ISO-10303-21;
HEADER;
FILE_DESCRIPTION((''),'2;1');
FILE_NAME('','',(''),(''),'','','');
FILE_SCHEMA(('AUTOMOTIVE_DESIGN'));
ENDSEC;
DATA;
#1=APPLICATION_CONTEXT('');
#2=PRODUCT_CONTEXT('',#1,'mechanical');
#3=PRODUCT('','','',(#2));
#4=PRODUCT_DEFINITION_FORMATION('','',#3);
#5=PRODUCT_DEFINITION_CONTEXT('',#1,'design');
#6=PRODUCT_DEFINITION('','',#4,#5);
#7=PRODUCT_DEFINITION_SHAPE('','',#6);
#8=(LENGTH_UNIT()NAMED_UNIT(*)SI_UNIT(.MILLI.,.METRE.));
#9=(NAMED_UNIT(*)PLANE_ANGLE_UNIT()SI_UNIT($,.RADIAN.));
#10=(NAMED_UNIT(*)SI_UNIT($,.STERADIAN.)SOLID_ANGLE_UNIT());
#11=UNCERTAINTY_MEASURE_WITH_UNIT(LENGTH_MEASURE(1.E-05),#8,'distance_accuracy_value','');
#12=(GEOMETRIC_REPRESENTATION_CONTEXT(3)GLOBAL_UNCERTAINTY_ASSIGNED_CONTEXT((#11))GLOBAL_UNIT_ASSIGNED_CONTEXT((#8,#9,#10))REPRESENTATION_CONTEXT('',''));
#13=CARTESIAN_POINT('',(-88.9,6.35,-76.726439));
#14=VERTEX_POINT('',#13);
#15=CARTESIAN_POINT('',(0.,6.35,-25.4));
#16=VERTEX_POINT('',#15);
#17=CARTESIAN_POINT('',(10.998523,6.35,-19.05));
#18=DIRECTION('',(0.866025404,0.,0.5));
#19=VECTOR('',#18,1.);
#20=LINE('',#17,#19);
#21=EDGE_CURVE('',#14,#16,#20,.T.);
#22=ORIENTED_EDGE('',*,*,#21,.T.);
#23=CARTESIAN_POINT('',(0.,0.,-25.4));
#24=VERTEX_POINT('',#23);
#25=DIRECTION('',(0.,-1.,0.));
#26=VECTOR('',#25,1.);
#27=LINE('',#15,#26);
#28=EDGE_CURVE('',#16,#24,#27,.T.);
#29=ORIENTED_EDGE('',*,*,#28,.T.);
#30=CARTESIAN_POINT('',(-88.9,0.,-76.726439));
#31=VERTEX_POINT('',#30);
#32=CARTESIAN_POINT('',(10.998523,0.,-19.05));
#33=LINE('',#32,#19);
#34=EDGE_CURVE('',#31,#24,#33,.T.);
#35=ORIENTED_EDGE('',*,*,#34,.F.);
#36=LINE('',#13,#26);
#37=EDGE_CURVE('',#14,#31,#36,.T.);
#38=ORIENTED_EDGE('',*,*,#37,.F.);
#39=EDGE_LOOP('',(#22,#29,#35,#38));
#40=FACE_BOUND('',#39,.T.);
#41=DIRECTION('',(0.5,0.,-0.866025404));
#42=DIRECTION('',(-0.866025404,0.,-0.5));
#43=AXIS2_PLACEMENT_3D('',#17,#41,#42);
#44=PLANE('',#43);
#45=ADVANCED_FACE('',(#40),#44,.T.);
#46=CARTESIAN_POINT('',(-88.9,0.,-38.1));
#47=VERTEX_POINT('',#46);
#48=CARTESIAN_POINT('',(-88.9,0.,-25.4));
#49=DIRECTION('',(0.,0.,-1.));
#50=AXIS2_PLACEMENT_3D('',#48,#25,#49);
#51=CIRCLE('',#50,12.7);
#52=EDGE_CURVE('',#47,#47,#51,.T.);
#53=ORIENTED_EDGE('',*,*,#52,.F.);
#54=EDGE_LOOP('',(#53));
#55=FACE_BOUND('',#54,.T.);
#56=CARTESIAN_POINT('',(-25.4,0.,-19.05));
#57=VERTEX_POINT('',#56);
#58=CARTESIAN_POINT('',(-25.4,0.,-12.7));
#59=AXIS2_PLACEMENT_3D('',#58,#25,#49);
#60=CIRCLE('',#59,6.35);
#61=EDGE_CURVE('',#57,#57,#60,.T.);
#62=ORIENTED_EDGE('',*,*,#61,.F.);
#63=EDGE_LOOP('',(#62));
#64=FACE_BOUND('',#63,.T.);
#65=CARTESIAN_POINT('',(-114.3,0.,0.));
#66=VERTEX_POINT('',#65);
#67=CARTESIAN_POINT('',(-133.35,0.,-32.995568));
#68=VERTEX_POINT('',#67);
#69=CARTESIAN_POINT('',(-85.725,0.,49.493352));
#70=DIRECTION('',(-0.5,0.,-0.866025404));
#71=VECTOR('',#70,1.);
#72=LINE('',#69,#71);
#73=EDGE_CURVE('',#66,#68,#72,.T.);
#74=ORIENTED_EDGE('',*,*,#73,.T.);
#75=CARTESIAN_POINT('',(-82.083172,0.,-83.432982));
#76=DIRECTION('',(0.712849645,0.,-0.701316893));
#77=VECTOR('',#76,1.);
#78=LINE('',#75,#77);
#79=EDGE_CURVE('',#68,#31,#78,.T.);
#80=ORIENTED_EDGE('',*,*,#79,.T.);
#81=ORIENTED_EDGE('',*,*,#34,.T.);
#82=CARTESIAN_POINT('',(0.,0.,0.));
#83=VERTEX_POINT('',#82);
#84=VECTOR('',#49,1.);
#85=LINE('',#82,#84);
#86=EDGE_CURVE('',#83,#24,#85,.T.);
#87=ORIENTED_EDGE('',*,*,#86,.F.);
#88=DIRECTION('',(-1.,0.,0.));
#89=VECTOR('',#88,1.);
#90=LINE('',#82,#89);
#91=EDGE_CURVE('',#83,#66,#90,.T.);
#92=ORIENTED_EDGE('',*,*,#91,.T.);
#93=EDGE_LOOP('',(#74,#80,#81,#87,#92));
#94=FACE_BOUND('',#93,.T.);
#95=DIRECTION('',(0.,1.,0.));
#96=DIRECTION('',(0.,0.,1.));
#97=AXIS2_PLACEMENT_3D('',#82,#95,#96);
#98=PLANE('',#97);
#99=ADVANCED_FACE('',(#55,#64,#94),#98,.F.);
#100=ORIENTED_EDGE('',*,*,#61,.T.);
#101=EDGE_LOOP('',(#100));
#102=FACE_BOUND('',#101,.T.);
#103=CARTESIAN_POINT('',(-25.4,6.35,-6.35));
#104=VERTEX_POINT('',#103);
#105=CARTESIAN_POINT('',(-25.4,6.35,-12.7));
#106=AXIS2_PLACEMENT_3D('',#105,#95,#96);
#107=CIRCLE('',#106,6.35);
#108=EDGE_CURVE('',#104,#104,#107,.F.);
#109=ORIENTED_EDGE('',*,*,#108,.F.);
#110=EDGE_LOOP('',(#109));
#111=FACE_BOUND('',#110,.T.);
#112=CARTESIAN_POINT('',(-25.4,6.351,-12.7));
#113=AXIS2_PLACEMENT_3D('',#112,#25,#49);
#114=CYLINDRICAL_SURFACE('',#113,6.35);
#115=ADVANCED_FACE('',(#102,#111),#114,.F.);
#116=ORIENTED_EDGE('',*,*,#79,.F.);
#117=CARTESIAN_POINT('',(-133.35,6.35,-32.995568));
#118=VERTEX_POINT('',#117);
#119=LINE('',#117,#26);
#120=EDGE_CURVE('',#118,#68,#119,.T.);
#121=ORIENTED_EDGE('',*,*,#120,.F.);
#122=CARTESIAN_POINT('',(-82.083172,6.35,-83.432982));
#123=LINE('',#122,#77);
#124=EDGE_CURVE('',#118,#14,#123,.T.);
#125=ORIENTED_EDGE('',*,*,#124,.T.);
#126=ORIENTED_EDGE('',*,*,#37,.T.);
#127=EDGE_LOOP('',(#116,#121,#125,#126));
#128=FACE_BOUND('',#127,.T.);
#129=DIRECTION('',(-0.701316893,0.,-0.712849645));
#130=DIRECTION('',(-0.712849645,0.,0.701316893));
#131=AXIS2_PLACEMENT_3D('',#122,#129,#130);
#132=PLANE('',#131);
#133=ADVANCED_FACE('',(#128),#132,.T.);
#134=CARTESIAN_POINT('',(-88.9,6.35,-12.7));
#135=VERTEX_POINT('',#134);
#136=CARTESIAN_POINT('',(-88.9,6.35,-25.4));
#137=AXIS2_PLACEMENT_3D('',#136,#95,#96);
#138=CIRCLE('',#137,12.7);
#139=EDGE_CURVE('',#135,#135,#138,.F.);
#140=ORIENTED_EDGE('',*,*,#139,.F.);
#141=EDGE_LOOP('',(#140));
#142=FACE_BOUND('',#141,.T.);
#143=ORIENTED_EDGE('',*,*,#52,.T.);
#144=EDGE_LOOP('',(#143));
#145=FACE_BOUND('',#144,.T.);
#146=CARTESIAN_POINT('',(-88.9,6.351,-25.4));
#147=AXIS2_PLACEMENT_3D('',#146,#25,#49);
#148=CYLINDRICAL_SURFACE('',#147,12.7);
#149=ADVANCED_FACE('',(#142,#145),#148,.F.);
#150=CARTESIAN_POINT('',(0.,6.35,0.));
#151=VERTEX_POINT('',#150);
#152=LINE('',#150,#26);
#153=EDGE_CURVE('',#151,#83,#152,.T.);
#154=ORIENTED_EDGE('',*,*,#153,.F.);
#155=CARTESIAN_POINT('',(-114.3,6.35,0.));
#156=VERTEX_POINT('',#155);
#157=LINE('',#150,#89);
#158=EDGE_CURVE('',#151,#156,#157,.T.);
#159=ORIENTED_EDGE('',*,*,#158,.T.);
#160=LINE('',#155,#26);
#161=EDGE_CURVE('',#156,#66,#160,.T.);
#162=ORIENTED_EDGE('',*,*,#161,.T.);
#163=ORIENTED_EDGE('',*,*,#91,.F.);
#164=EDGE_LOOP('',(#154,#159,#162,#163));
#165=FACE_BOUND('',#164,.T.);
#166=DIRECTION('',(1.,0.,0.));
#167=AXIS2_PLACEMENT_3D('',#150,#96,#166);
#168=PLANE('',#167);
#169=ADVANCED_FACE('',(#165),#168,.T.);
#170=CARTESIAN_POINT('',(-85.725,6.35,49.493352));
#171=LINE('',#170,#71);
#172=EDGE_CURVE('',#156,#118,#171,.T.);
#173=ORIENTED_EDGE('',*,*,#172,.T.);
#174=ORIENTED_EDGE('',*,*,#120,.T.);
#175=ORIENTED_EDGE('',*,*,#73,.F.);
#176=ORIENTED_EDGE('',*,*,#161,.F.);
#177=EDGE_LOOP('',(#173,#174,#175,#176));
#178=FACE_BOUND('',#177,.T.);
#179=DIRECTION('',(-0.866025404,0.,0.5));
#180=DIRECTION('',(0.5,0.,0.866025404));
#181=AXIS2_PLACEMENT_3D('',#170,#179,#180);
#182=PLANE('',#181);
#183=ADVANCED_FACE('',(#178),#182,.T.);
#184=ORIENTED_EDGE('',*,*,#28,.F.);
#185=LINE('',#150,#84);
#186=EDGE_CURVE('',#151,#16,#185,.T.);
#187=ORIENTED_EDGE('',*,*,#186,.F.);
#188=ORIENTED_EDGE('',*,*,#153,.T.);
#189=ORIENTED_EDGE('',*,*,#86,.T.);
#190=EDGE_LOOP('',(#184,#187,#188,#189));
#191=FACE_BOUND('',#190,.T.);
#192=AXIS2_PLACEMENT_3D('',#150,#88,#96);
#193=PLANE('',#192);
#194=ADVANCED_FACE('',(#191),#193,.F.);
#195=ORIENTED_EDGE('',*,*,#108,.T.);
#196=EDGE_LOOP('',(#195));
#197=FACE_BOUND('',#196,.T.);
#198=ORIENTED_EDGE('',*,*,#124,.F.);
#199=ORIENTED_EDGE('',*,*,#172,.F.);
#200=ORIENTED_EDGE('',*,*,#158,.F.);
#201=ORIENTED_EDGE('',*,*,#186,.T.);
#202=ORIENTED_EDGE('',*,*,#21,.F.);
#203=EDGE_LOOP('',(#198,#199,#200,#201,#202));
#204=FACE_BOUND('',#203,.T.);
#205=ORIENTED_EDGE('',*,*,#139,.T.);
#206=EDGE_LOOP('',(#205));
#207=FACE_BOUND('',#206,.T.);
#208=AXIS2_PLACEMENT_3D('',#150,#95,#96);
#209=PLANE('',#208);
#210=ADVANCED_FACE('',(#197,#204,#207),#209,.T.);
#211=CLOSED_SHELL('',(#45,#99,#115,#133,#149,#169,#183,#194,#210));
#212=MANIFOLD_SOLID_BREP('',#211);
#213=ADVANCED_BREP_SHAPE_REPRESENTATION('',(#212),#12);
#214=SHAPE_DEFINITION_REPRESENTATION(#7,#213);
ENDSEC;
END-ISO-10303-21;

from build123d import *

# Parameters (mm, degrees)
SKETCH1_W           = 114.3
SKETCH1_H           = 25.4
BOSS_EXTRUDE1_DEPTH = 6.35
CUT_EXTRUDE1_REACH  = 155.979
SKETCH2_R           = 12.7
SKETCH2_R_2         = 6.35


with BuildPart() as part:
    # Sketch1 → Boss-Extrude1 (new body)
    with BuildSketch(Plane(origin=(0, 0, 0), x_dir=(1, 0, 0), z_dir=(0, 1, 0))):
        with Locations((-57.15, 12.7)):
            Rectangle(SKETCH1_W, SKETCH1_H)
        Polygon((-88.9, 76.726438931), (0, 25.4), (-114.3, 25.4), (-114.3, 0), (-133.35, 32.995567884), align=None)
    extrude(amount=BOSS_EXTRUDE1_DEPTH)

    # Sketch2 → Cut-Extrude1 (cut, up to next)
    with BuildSketch(Plane.XZ, mode=Mode.PRIVATE) as cut_extrude1_sk1:
        with Locations(Location((-88.9, -25.4, 0), (0, 0, 270))):
            Circle(SKETCH2_R)
    cut_extrude1_tool1 = extrude(cut_extrude1_sk1.sketch, amount=-CUT_EXTRUDE1_REACH, mode=Mode.PRIVATE) & part.part
    # Sketch2 → Cut-Extrude1 (cut, up to next)
    with BuildSketch(Plane.XZ, mode=Mode.PRIVATE) as cut_extrude1_sk2:
        with Locations(Location((-25.4, -12.7, 0), (0, 0, 270))):
            Circle(SKETCH2_R_2)
    cut_extrude1_tool2 = extrude(cut_extrude1_sk2.sketch, amount=-CUT_EXTRUDE1_REACH, mode=Mode.PRIVATE) & part.part
    add(cut_extrude1_tool1.solids().sort_by_distance((-88.9, 0, -25.4))[0], mode=Mode.SUBTRACT)
    add(cut_extrude1_tool2.solids().sort_by_distance((-25.4, 0, -12.7))[0], mode=Mode.SUBTRACT)


solid = part.part
